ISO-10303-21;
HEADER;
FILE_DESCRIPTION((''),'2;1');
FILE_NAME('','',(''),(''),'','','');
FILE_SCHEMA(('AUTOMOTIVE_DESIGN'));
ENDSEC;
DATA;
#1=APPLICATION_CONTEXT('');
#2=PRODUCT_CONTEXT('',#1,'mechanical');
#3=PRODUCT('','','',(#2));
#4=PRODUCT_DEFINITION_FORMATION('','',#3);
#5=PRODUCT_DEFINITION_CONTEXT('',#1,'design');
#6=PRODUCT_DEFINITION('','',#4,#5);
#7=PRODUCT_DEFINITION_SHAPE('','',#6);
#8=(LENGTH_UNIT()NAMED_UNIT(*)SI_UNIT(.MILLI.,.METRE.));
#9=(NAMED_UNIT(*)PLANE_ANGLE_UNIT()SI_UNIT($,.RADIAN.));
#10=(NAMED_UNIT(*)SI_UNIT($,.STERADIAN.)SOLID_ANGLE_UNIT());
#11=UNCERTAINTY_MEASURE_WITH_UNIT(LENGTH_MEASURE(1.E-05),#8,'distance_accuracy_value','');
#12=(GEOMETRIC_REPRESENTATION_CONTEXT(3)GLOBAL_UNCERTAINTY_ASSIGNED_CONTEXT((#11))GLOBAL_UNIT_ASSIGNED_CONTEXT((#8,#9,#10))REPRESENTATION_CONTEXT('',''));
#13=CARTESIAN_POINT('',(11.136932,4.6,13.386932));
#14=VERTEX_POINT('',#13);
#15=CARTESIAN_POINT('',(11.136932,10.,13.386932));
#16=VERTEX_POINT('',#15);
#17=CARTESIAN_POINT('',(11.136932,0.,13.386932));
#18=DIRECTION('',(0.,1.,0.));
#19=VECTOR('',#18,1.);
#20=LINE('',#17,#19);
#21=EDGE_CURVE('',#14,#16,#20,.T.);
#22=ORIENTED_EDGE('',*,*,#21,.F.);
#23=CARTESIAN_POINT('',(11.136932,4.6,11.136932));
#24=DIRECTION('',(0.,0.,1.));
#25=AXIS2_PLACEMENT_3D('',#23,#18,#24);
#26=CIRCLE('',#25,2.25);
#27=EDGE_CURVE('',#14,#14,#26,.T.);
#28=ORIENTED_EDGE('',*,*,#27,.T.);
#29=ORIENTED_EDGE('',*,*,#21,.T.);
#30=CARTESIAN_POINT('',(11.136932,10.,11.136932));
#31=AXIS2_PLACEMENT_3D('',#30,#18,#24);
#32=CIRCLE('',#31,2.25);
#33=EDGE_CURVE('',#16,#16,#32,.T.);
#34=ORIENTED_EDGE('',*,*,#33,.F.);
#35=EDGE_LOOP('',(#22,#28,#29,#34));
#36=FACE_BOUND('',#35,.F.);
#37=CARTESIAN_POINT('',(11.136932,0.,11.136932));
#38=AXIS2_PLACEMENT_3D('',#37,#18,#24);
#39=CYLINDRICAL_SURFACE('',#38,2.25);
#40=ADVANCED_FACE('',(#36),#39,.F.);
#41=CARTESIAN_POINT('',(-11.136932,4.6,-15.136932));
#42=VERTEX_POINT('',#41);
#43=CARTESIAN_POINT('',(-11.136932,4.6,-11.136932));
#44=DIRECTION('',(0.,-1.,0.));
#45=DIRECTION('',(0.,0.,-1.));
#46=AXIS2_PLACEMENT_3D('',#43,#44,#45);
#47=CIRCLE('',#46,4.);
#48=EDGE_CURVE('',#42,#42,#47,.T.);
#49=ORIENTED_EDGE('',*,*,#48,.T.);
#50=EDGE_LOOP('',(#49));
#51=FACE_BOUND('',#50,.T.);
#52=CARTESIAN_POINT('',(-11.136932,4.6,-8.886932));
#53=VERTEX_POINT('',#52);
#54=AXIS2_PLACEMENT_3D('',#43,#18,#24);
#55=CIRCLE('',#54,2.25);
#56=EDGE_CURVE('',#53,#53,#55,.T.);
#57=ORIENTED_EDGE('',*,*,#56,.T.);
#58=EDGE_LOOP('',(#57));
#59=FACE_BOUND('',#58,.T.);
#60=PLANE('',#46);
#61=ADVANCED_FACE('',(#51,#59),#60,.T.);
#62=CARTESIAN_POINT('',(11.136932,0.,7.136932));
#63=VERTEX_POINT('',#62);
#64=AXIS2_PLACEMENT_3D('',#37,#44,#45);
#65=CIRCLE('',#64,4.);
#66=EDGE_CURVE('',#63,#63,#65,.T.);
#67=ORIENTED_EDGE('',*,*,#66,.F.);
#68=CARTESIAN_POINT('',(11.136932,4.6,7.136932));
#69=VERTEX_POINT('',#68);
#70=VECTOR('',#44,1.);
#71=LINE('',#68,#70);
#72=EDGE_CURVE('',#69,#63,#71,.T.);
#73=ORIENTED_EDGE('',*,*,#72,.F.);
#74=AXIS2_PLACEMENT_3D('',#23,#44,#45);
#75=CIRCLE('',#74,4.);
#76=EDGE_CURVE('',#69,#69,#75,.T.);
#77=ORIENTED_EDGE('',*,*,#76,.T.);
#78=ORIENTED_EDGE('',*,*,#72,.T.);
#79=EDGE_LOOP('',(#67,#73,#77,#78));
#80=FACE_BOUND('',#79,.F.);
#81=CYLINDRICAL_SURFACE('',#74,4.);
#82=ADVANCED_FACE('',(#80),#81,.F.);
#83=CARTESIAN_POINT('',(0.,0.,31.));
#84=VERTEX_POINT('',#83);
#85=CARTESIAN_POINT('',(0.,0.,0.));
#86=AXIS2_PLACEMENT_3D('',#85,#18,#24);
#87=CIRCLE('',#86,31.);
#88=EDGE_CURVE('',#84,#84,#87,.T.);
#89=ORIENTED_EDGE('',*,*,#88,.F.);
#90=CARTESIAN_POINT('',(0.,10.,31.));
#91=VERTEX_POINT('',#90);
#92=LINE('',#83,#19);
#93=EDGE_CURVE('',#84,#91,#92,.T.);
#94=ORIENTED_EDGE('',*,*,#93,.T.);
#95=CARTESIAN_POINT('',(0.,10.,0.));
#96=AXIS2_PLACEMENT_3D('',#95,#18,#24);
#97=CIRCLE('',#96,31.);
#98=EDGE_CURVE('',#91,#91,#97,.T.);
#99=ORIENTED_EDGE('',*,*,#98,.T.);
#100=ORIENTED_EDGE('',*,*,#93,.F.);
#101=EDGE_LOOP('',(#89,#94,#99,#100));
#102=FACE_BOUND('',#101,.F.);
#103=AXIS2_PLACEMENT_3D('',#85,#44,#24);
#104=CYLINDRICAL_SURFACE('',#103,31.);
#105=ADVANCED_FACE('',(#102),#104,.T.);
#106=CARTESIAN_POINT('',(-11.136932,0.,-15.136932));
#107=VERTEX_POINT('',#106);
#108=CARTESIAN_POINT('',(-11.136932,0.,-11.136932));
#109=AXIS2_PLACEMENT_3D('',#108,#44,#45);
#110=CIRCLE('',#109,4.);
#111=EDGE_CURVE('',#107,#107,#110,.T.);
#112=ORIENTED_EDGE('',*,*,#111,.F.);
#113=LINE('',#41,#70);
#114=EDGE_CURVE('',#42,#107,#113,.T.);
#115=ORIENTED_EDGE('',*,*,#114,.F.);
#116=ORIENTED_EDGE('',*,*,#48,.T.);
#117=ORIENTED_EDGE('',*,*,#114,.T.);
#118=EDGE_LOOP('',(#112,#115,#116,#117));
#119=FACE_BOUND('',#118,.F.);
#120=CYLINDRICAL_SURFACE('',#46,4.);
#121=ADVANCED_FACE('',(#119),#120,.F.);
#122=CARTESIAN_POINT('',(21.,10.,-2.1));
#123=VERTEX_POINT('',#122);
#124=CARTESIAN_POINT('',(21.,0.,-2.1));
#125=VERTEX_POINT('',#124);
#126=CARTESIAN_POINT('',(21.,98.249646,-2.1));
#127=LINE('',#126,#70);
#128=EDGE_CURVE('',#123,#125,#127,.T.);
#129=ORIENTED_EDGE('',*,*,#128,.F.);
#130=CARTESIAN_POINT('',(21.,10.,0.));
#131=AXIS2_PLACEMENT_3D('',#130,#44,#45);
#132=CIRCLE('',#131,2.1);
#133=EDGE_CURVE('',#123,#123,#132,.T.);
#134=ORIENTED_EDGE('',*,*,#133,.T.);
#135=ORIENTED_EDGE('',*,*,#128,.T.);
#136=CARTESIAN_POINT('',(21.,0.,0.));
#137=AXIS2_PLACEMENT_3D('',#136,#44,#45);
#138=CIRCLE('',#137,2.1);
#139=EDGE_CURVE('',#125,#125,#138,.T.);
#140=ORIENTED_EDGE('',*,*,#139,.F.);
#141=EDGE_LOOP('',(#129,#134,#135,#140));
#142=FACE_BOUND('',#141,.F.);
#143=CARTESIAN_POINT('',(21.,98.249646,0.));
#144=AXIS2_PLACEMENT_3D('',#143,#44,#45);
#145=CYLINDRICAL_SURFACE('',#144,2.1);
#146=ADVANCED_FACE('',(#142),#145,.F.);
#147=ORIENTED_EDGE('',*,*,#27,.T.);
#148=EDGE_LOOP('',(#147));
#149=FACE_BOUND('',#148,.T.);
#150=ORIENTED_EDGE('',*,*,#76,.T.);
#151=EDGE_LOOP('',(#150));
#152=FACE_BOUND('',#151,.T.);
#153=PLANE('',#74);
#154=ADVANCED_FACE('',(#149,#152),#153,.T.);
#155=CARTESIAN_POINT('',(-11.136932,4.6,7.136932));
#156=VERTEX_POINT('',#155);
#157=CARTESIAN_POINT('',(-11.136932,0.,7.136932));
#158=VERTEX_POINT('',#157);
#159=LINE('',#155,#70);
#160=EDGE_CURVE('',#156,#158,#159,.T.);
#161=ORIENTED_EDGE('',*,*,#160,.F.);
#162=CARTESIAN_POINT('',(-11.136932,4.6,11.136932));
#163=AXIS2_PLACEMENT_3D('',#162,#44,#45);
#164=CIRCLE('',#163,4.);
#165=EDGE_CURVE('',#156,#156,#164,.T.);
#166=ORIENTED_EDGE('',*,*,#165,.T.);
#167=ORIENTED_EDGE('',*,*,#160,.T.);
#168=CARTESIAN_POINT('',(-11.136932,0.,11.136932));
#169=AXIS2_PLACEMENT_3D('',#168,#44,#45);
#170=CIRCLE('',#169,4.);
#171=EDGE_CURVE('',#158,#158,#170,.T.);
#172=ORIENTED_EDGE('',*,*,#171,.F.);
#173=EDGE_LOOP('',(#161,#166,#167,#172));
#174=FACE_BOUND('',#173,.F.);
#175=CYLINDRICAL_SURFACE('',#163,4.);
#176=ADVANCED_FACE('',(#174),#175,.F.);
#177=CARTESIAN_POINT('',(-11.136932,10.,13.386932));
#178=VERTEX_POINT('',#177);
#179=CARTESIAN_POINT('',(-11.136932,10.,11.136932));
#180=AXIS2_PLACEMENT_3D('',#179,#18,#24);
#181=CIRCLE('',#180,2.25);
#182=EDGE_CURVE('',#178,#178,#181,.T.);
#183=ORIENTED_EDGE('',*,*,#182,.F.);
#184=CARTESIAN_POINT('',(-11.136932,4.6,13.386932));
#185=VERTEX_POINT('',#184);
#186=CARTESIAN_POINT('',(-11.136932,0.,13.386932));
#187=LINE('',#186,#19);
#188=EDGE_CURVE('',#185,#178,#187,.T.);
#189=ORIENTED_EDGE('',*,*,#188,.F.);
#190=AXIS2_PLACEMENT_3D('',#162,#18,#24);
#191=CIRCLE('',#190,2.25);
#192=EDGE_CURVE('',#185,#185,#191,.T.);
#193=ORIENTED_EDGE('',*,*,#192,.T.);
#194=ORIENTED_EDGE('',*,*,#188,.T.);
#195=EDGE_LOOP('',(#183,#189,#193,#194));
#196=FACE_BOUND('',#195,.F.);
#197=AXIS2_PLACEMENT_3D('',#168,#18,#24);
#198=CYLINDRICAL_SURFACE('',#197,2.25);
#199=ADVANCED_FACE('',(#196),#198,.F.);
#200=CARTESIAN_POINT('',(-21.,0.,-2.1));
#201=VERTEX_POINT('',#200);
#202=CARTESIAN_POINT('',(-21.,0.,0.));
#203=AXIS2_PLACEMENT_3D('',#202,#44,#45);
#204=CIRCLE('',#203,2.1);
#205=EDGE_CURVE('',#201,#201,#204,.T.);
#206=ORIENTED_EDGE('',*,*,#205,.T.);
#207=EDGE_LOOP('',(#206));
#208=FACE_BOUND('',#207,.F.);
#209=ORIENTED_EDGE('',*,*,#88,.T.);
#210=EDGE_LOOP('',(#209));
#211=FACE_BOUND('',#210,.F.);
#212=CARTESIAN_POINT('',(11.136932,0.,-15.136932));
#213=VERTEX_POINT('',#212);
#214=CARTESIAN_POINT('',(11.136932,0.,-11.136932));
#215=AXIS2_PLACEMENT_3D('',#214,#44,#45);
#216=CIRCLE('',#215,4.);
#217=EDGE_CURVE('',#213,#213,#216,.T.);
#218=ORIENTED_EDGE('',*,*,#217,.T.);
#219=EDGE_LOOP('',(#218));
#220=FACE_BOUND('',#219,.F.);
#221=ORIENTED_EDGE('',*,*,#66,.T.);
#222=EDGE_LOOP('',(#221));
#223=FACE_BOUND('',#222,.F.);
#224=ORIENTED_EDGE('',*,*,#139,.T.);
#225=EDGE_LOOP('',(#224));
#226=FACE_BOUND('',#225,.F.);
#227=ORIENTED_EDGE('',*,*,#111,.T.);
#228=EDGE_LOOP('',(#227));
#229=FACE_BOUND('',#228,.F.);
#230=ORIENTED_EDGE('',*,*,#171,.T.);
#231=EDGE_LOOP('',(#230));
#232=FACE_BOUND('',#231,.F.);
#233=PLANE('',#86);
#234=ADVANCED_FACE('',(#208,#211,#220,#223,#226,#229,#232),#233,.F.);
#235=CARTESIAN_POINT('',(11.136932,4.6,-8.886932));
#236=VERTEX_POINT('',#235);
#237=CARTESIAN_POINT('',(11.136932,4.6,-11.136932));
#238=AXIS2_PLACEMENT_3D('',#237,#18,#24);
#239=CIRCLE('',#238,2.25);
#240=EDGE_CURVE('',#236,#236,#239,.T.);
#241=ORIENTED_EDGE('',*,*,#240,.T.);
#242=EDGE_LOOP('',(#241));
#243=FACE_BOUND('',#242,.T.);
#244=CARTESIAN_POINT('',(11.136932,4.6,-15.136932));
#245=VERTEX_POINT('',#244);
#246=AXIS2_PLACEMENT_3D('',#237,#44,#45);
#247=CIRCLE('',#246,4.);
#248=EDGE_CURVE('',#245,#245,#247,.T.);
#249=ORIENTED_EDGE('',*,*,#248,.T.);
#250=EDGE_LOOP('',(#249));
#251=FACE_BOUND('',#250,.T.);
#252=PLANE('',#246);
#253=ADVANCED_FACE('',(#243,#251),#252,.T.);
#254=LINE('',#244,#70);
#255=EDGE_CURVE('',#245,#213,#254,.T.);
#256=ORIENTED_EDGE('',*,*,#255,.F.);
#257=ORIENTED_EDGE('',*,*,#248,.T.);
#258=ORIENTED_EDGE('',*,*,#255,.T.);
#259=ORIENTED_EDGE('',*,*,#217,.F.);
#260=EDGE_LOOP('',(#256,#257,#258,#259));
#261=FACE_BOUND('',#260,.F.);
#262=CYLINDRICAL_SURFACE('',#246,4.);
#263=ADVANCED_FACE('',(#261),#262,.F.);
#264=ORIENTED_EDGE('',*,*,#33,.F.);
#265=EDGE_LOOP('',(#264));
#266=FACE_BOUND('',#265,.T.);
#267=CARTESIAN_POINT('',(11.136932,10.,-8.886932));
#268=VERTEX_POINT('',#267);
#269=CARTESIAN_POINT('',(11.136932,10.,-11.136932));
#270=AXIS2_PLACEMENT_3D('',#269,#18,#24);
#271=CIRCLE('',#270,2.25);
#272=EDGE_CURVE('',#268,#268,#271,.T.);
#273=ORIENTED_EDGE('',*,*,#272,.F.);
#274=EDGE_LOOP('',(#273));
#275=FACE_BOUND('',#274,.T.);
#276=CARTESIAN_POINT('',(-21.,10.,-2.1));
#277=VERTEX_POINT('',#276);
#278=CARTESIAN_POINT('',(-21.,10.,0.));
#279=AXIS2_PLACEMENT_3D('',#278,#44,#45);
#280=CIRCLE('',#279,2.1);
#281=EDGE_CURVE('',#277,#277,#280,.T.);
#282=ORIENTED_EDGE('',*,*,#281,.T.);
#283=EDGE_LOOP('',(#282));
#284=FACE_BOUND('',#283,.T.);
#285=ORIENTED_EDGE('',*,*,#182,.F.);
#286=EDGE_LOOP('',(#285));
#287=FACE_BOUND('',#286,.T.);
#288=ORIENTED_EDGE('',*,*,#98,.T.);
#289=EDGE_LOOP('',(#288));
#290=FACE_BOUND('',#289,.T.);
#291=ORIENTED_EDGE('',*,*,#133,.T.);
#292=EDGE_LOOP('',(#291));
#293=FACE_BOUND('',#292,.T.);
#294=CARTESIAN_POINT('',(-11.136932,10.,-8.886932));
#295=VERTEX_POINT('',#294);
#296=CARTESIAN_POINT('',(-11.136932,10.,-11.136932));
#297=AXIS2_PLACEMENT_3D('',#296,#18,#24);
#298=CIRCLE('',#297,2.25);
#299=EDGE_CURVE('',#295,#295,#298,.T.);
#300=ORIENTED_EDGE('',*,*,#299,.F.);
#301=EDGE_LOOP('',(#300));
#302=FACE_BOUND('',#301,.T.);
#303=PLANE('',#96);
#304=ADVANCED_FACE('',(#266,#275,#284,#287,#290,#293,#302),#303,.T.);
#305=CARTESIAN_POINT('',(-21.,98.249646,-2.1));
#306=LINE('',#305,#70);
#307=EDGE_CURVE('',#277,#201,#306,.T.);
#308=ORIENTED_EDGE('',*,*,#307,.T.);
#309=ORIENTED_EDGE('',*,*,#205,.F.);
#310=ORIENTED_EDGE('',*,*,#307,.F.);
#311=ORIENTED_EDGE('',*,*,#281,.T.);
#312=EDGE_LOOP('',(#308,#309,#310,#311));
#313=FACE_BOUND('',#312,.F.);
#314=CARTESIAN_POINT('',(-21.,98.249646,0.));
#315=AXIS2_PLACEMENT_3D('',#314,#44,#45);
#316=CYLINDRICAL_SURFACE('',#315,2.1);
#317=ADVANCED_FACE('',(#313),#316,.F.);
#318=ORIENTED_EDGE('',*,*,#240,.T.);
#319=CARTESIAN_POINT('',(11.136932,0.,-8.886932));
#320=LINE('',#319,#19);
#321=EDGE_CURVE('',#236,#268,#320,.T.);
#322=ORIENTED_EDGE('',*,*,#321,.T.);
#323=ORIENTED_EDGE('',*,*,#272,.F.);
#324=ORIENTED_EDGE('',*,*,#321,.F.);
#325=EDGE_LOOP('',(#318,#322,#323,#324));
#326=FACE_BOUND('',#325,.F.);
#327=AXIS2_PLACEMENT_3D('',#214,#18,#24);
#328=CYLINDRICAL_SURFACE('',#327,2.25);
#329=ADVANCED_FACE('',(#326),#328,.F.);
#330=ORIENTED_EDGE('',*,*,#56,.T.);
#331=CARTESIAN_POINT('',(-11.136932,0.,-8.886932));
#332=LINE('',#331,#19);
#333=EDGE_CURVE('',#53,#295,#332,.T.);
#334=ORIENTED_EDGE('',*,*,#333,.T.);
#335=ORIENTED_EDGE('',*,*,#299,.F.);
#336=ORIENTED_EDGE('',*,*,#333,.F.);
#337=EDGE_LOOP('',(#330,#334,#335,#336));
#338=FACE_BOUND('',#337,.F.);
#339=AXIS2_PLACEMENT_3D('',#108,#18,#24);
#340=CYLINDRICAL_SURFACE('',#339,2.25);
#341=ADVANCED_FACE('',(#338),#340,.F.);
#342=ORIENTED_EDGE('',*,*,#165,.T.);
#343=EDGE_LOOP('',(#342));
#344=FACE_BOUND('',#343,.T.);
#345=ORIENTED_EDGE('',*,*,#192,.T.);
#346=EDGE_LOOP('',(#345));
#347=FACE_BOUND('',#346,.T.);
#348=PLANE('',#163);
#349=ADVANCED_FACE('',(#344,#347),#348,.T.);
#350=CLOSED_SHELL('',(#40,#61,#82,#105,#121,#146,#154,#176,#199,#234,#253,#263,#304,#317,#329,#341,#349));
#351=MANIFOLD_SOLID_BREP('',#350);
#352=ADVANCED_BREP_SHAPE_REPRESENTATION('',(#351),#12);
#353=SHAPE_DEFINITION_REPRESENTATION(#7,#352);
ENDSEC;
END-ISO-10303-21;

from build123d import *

# Parameters (mm, degrees)
SKETCH_1_R                = 31
EXTRUDE_1_DEPTH           = 10
HOLE_WIZARD_M5_2_D        = 4.2
HOLE_WIZARD_2_D           = 4.5
HOLE_WIZARD_2_CBORE_D     = 8
HOLE_WIZARD_2_CBORE_DEPTH = 4.6


with BuildPart() as part:
    # 草图1 → 凸台-拉伸1 (new body)
    with BuildSketch(Plane(origin=(0, 0, 0), x_dir=(1, 0, 0), z_dir=(0, 1, 0))):
        with Locations(Location((0, 0, 0), (0, 0, 270))):
            Circle(SKETCH_1_R)
    extrude(amount=EXTRUDE_1_DEPTH)

    # M5 螺纹孔2 (through all)
    with Locations(Plane(origin=(-21, 10, 0), x_dir=(0, 0, 1), z_dir=(0, 1, 0))):
        with Locations((0, 0), (0, 42)):
            Hole(HOLE_WIZARD_M5_2_D / 2)

    # 打孔尺寸(%根据)内六角圆柱头螺钉的类型2 (through all)
    with Locations(Plane(origin=(-11.136931804, 0, 11.136931804), x_dir=(0, 0, -1), z_dir=(0, -1, 0))):
        with Locations((0, 0), (0, 22.273863608), (22.273863608, 22.273863608), (22.273863608, 0)):
            CounterBoreHole(HOLE_WIZARD_2_D / 2, HOLE_WIZARD_2_CBORE_D / 2, HOLE_WIZARD_2_CBORE_DEPTH)


solid = part.part
